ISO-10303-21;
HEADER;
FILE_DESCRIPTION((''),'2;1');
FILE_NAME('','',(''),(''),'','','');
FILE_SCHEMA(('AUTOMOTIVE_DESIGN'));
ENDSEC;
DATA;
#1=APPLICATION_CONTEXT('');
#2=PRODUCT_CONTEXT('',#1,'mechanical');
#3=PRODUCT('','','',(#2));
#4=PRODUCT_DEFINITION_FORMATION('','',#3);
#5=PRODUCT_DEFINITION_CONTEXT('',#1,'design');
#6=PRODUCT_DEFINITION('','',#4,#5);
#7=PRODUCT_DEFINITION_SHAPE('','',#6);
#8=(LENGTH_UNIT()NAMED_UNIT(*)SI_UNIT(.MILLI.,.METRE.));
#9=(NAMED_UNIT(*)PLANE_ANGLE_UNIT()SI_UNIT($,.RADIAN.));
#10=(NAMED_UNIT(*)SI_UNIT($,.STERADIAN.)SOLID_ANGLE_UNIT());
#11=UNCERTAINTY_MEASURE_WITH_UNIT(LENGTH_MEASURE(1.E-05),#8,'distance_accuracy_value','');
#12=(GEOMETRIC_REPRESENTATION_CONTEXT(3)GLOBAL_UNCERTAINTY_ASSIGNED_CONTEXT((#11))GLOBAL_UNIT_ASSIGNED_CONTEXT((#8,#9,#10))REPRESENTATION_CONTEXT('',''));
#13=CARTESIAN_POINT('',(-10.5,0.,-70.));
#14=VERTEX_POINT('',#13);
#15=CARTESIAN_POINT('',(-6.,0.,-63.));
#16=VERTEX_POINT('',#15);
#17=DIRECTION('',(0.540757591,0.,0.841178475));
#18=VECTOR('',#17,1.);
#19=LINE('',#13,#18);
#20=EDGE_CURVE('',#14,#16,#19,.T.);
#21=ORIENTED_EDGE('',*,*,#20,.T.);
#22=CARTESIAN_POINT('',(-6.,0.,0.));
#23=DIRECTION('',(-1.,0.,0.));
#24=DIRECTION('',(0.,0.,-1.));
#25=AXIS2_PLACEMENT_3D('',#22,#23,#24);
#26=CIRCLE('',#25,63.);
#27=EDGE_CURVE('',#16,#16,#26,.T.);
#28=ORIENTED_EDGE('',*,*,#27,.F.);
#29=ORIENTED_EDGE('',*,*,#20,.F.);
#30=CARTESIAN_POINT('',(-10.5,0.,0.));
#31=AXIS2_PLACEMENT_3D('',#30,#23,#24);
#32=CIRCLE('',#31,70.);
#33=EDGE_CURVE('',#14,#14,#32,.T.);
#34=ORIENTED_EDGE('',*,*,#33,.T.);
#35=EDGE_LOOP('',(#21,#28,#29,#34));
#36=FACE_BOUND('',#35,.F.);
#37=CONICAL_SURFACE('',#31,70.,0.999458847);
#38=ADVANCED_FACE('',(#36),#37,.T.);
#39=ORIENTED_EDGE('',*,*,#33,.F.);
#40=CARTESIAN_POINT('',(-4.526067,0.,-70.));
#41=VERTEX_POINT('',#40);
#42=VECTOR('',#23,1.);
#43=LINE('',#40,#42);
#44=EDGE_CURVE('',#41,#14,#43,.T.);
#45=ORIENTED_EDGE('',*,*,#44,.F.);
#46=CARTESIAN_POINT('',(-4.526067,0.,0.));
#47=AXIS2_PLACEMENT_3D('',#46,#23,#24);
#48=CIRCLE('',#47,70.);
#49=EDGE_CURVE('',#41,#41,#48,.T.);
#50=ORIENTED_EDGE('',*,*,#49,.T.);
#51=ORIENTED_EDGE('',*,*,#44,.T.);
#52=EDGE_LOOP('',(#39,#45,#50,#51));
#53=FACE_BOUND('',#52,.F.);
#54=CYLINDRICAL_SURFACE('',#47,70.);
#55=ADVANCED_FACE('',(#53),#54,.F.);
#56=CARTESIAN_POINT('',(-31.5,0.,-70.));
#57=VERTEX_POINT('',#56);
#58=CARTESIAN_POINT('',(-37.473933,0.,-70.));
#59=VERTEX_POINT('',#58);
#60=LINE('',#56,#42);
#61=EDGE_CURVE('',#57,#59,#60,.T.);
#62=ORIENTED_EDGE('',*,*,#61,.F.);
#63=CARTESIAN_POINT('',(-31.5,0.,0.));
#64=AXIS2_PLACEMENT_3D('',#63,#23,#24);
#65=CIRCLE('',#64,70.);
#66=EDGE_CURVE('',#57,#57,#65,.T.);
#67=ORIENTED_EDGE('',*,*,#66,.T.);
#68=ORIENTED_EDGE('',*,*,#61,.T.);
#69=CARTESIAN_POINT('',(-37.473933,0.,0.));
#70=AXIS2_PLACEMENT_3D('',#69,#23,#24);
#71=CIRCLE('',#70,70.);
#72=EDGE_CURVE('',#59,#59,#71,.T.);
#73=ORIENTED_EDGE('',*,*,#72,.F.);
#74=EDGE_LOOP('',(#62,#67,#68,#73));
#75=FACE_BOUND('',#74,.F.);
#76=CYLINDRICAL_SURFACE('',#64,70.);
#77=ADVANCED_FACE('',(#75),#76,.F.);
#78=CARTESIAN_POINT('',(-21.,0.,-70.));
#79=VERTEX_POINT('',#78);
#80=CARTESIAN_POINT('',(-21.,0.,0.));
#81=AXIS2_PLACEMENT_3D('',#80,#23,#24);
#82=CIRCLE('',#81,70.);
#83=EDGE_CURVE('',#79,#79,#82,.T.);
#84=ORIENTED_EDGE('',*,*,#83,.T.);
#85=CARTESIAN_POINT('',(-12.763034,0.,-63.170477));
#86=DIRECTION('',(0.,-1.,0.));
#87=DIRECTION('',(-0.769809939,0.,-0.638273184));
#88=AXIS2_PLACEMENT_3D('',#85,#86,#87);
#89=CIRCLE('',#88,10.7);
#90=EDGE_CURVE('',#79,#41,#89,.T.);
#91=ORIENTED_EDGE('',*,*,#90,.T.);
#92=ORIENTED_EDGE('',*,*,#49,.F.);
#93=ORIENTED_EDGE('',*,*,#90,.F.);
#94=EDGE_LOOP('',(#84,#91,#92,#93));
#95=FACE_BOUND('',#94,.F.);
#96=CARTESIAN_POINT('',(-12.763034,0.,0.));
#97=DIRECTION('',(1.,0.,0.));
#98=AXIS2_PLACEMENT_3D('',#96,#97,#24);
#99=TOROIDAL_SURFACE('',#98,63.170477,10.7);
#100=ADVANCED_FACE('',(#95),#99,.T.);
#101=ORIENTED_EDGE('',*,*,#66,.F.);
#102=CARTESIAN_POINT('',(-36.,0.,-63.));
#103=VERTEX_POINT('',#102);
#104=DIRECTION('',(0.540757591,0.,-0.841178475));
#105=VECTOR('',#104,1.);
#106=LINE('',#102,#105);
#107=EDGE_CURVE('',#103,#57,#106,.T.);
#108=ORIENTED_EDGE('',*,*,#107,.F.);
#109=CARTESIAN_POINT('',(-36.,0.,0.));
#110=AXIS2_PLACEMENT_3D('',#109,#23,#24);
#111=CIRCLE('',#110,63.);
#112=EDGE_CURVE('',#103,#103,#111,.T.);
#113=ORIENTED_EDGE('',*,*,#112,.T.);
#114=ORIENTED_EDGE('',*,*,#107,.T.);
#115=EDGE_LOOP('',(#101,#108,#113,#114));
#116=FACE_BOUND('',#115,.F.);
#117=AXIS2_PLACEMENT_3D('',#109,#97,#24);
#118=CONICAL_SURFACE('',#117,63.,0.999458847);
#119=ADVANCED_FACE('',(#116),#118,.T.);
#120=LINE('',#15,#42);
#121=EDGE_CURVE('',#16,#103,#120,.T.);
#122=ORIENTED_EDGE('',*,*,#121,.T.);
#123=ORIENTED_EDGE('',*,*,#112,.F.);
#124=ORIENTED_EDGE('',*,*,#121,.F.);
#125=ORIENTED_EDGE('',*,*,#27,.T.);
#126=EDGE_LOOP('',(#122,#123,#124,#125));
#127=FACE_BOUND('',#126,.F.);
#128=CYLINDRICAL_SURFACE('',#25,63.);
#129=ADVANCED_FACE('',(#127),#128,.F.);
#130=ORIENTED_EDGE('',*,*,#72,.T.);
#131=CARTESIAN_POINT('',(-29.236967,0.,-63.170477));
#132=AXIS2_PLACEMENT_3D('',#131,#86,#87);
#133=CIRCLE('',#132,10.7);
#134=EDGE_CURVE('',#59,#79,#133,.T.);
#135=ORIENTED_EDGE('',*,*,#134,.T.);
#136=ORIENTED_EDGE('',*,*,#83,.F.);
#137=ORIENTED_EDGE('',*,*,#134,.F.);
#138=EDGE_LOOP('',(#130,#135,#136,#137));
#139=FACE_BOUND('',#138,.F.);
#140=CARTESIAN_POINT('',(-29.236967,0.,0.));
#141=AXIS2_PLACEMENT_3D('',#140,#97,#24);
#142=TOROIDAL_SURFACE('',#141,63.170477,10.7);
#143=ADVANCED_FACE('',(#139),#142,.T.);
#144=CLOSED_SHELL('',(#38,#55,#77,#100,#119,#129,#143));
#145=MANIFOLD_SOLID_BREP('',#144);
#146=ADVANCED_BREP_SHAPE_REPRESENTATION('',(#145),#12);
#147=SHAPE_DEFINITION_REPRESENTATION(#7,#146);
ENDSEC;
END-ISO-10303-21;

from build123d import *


with BuildPart() as f1:
    # F0 (on Front) → F1 (revolve)
    with BuildSketch(Plane.XZ):
        with BuildLine():
            Line((-31.5, -70), (-37.473933, -70))
            ThreePointArc((-37.473933, -70), (-29.236966, -73.870477), (-21, -70))
            ThreePointArc((-21, -70), (-12.763034, -73.870477), (-4.526067, -70))
            Line((-4.526067, -70), (-10.5, -70))
            Line((-10.5, -70), (-6, -63))
            Line((-6, -63), (-36, -63))
            Line((-36, -63), (-31.5, -70))
        make_face()
    revolve(axis=Axis((-21, 0, 0), (-1, 0, 0)))


solid = f1.part
